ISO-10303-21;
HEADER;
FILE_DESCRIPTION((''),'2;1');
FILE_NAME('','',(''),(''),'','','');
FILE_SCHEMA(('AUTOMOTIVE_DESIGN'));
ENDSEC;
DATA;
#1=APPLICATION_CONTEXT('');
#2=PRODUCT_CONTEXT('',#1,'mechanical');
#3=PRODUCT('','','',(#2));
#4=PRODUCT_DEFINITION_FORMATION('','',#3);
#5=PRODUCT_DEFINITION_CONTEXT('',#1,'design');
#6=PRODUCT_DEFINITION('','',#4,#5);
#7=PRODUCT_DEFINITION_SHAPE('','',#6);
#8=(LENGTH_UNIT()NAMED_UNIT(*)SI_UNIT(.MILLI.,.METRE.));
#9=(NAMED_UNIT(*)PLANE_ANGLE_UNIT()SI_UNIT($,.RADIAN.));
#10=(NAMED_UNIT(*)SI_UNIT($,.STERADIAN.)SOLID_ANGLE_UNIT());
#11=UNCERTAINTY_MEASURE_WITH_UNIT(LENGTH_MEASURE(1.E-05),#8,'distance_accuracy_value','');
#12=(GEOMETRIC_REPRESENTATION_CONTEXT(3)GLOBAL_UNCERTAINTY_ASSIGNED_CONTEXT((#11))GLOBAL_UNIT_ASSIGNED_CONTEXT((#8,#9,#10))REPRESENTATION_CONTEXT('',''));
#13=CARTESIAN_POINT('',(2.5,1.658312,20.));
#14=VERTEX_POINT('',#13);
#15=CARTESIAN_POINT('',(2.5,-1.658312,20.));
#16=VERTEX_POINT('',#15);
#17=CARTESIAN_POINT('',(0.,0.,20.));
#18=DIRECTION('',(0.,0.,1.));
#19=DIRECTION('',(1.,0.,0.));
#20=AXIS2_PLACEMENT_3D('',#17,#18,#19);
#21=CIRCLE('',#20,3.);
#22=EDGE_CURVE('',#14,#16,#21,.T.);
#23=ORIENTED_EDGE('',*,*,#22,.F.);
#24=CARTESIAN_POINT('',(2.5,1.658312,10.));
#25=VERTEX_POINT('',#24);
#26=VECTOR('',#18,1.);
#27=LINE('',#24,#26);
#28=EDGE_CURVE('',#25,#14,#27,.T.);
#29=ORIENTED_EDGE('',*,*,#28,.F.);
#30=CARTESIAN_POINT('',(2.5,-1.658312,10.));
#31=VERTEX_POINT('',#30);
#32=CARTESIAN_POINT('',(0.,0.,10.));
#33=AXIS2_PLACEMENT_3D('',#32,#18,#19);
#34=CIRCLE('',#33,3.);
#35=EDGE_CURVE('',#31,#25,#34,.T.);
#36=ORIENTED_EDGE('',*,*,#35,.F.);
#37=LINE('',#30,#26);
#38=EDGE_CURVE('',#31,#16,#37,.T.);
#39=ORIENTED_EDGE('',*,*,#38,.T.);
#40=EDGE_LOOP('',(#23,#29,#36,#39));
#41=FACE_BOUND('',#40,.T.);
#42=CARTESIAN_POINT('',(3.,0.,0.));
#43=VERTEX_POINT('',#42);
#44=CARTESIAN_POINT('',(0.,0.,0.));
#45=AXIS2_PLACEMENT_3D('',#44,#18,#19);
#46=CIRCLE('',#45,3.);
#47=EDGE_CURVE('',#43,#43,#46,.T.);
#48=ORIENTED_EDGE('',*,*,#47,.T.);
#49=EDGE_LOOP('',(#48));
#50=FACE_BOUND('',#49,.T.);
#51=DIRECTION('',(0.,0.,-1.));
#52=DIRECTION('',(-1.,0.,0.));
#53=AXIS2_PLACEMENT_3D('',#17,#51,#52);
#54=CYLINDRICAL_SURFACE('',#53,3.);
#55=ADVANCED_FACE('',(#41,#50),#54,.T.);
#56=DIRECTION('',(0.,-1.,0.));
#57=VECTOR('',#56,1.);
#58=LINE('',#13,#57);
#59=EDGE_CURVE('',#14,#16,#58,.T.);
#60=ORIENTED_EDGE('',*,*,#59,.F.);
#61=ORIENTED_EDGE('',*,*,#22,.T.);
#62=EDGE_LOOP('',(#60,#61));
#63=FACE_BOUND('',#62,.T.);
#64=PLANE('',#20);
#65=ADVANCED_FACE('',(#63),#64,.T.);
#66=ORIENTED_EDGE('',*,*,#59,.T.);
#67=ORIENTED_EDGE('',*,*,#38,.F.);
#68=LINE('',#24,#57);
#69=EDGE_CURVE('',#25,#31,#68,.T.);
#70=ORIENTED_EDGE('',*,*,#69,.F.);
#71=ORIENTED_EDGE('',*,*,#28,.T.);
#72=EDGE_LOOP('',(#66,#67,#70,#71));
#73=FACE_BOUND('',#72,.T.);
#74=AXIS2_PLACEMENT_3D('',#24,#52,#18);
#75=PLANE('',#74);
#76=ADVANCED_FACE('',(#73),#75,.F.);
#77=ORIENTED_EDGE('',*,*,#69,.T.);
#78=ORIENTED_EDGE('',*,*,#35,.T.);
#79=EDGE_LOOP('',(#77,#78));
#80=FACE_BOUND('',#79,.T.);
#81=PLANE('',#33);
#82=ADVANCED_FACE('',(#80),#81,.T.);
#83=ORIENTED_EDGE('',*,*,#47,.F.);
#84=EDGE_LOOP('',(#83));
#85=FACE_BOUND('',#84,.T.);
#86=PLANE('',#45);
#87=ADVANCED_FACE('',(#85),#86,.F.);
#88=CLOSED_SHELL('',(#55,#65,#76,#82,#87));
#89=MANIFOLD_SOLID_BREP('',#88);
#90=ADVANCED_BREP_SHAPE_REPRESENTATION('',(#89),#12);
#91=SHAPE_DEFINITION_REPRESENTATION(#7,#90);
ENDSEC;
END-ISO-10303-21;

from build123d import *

# Parameters (mm, degrees)
SKETCH1_R           = 3
BOSS_EXTRUDE1_DEPTH = 20
CUT_EXTRUDE1_START  = -10
CUT_EXTRUDE1_DEPTH  = 10


with BuildPart() as part:
    # Sketch1 → Boss-Extrude1 (new body)
    with BuildSketch(Plane.XY):
        Circle(SKETCH1_R)
    extrude(amount=BOSS_EXTRUDE1_DEPTH)

    # Sketch2 → Cut-Extrude1 (cut)
    with BuildSketch(Plane.XY.offset(20).offset(CUT_EXTRUDE1_START)):
        with BuildLine():
            Line((2.5, 1.658312395), (2.5, -1.658312395))
            ThreePointArc((2.5, -1.658312395), (3, 0), (2.5, 1.658312395))
        make_face()
    extrude(amount=CUT_EXTRUDE1_DEPTH, mode=Mode.SUBTRACT)


solid = part.part
